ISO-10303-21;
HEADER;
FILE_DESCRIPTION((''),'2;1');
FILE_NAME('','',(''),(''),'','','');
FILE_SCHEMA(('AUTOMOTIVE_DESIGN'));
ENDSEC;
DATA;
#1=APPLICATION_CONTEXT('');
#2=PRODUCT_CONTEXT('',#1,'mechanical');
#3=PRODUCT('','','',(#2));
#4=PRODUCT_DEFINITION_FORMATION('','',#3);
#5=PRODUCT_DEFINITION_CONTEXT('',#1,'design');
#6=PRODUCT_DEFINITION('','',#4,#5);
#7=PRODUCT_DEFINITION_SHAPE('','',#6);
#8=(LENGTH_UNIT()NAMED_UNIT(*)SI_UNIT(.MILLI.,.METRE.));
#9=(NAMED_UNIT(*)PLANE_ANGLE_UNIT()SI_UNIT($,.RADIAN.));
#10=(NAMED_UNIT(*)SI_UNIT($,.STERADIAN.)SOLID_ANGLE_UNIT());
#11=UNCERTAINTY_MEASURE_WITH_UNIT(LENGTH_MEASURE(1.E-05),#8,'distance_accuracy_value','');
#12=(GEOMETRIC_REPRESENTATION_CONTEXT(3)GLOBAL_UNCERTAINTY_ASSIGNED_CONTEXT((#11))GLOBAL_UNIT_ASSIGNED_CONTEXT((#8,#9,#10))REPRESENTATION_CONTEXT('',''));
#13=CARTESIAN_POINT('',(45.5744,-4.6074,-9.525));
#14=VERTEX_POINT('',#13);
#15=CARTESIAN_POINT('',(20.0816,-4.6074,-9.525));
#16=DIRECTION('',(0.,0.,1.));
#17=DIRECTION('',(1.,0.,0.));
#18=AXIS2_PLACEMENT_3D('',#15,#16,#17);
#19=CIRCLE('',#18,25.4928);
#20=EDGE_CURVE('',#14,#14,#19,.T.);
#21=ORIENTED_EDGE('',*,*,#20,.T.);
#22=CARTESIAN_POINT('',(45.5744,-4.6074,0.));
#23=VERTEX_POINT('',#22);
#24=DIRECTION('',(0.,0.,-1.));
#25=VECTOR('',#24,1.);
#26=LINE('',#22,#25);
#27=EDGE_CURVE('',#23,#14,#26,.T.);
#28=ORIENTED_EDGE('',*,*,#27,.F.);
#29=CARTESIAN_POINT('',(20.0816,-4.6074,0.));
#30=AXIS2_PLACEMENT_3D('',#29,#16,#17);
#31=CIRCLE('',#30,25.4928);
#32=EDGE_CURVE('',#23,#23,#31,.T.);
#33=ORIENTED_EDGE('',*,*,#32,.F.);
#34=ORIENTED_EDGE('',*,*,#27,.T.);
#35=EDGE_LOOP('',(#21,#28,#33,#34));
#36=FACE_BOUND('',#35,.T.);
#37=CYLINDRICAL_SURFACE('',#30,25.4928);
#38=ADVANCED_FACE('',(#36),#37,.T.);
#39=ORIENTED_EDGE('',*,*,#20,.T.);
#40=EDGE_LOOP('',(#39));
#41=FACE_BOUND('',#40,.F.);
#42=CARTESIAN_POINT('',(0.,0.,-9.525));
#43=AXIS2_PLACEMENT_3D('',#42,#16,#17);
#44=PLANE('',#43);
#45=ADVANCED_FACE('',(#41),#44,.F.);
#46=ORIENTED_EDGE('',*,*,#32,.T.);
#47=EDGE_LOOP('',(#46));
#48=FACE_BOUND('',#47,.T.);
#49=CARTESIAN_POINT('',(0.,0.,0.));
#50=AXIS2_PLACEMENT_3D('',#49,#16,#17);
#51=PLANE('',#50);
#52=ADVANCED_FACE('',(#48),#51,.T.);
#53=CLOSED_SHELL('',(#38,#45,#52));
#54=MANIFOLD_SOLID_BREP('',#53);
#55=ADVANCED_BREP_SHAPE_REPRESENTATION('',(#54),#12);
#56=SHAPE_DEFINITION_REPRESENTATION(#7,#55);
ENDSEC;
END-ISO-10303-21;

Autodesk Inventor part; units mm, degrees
ref_plane "XY Plane" through (0, 0, 0) normal (0, 0, 1) x (1, 0, 0)
ref_plane "Work Plane1" through (20.32, 0, 0) normal (1, 0, 0) x (0, 1, 0)
sketch "Sketch1" plane through (20.32, 0, 0) normal (1, 0, 0) x (0, 1, 0)
  point P0 (0, 0)
sketch "Sketch2" plane through (0, 0, 0) normal (0, 0, 1) x (1, 0, 0)
  circle A0 centre (20.0816, -4.6074) radius 25.4928 projected
  point P0 (0, 0)
extrude "Extrusion1" add sketch "Sketch2" against normal blind 9.525
sketch "Sketch3" plane through (20.32, 0, 0) normal (1, 0, 0) x (0, 1, 0)
  line L0 (-30.1001, 0) -> (-30.1001, -9.525) projected
  line L1 (20.8854, 0) -> (20.8854, -9.525) projected
  line L2 (-30.1001, 0) -> (20.8854, 0) projected
  line L3 (-30.1001, 0) -> (-33.103, 5.2797) construction
  line L4 (-33.103, 5.2797) -> (-38.5488, 8.121) construction
  line L5 (-38.5488, 8.121) -> (-52.8505, 35.6829) construction
  line L6 (-52.8505, 35.6829) -> (-63.0107, 57.3273) construction
  line L7 (-63.0107, 57.3273) -> (-65.5192, 70.8376) construction
  line L8 (-65.5192, 70.8376) -> (-59.0811, 84.854) construction
  line L9 (-59.0811, 84.854) -> (-51.8304, 93.548) construction
  line L10 (-51.8304, 93.548) -> (-48.1488, 96.4774) construction
  line L11 (-48.1488, 96.4774) -> (-44.7183, 98.2529) construction
  line L12 (-44.7183, 98.2529) -> (-42.2832, 93.548) construction
  line L13 (-42.2832, 93.548) -> (-17.5193, 74.9087) construction
  line L14 (-17.5193, 74.9087) -> (7.7966, 55.4349) construction
  line L15 (7.7966, 55.4349) -> (14.1952, 48.8509) construction
  line L16 (14.1952, 48.8509) -> (14.7516, 47.2744) construction
  line L17 (14.7516, 47.2744) -> (21.4283, 26.6878) construction
  line L18 (21.4283, 26.6878) -> (28.2691, 8.9748) construction
  line L19 (28.2691, 8.9748) -> (28.2691, 1.0936) construction
  line L20 (28.2691, 1.0936) -> (28.5569, 1.0936) construction
  line L21 (28.5569, 1.0936) -> (24.3507, -0.3378) construction
  line L22 (24.3507, -0.3378) -> (20.8854, 0) construction
  spline S0 degree 4 poles (-30.1001, 0) (-33.103, 5.2797) (-38.5488, 8.121) (-52.8505, 35.6829) (-63.0107, 57.3273) (-65.5192, 70.8376) (-59.0811, 84.854) (-51.8304, 93.548) (-48.1488, 96.4774) (-44.7183, 98.2529) (-42.2832, 93.548) (-17.5193, 74.9087) (7.7966, 55.4349) (14.1952, 48.8509) (14.7516, 47.2744) (21.4283, 26.6878) (28.2691, 8.9748) (28.2691, 1.0936) (28.5569, 1.0936) (24.3507, -0.3378) (20.8854, 0) knots 1 1 1 1 1 2 3 4 5 6 7 8 9 10 11 12 13 14 15 16 17 18 18 18 18 18
  point P0 (0, 0)
ref_plane "Work Plane2" through (0, 28.575, 0) normal (0, 1, 0) x (-1, 0, 0)
sketch "Sketch4" plane through (0, 28.575, 0) normal (0, 1, 0) x (-1, 0, 0)
  line L0 (-47.8363, 1.2039) -> (7.5765, 1.2039)
  point P0 (0, 0)
ref_plane "Work Plane3" through (47.8363, 28.575, 1.2039) normal (0, -0.9659, -0.2588) x (-1, 0, 0)
sketch "Sketch5" plane through (47.8363, 28.575, 1.2039) normal (0, -0.9659, -0.2588) x (-1, 0, 0)
  line L0 (2.2619, -7.4253) -> (2.2619, 1.7751) projected
  line L1 (53.2475, -7.4253) -> (53.2475, 1.7751) projected
  line L2 (2.2619, -7.4253) -> (-0.1979, -10.8831) construction
  line L3 (-0.1979, -10.8831) -> (-7.0575, -19.953) construction
  line L4 (-7.0575, -19.953) -> (-10.6243, -28.0019) construction
  line L5 (-10.6243, -28.0019) -> (-13.124, -38.9334) construction
  line L6 (-13.124, -38.9334) -> (-8.1245, -54.8605) construction
  line L7 (-8.1245, -54.8605) -> (1.7075, -72.6192) construction
  line L8 (1.7075, -72.6192) -> (6.8732, -81.9495) construction
  line L9 (6.8732, -81.9495) -> (12.4542, -91.3687) construction
  line L10 (12.4542, -91.3687) -> (19.6186, -104.4781) construction
  line L11 (19.6186, -104.4781) -> (24.53, -112.0934) construction
  line L12 (24.53, -112.0934) -> (27.5166, -112.0934) construction
  ellipse E0 centre (27.7547, -7.4253) end of major axis (53.2475, -7.4253) minor radius 6.598 projected
  spline S0 degree 4 poles (2.2619, -7.4253) (-0.1979, -10.8831) (-7.0575, -19.953) (-10.6243, -28.0019) (-13.124, -38.9334) (-8.1245, -54.8605) (1.7075, -72.6192) (6.8732, -81.9495) (12.4542, -91.3687) (19.6186, -104.4781) (24.53, -112.0934) (27.5166, -112.0934) knots 1 1 1 1 1 2 3 4 5 6 7 8 9 9 9 9 9
  line L13 (27.5166, -7.5961) -> (27.5166, -11.3951)
  line L14 (52.7713, -7.4253) -> (55.2311, -10.8831) construction
  line L15 (55.2311, -10.8831) -> (62.0907, -19.953) construction
  line L16 (62.0907, -19.953) -> (65.6575, -28.0019) construction
  line L17 (65.6575, -28.0019) -> (68.1572, -38.9334) construction
  line L18 (68.1572, -38.9334) -> (63.1578, -54.8605) construction
  line L19 (63.1578, -54.8605) -> (53.3257, -72.6192) construction
  line L20 (53.3257, -72.6192) -> (48.16, -81.9495) construction
  line L21 (48.16, -81.9495) -> (42.579, -91.3687) construction
  line L22 (42.579, -91.3687) -> (35.4146, -104.4781) construction
  line L23 (35.4146, -104.4781) -> (30.5032, -112.0934) construction
  line L24 (30.5032, -112.0934) -> (27.5166, -112.0934) construction
  spline S1 degree 4 poles (52.7713, -7.4253) (55.2311, -10.8831) (62.0907, -19.953) (65.6575, -28.0019) (68.1572, -38.9334) (63.1578, -54.8605) (53.3257, -72.6192) (48.16, -81.9495) (42.579, -91.3687) (35.4146, -104.4781) (30.5032, -112.0934) (27.5166, -112.0934) knots 1 1 1 1 1 2 3 4 5 6 7 8 9 9 9 9 9
  point P0 (47.8363, -6.2329)
properties part number "maskBodySolid"
